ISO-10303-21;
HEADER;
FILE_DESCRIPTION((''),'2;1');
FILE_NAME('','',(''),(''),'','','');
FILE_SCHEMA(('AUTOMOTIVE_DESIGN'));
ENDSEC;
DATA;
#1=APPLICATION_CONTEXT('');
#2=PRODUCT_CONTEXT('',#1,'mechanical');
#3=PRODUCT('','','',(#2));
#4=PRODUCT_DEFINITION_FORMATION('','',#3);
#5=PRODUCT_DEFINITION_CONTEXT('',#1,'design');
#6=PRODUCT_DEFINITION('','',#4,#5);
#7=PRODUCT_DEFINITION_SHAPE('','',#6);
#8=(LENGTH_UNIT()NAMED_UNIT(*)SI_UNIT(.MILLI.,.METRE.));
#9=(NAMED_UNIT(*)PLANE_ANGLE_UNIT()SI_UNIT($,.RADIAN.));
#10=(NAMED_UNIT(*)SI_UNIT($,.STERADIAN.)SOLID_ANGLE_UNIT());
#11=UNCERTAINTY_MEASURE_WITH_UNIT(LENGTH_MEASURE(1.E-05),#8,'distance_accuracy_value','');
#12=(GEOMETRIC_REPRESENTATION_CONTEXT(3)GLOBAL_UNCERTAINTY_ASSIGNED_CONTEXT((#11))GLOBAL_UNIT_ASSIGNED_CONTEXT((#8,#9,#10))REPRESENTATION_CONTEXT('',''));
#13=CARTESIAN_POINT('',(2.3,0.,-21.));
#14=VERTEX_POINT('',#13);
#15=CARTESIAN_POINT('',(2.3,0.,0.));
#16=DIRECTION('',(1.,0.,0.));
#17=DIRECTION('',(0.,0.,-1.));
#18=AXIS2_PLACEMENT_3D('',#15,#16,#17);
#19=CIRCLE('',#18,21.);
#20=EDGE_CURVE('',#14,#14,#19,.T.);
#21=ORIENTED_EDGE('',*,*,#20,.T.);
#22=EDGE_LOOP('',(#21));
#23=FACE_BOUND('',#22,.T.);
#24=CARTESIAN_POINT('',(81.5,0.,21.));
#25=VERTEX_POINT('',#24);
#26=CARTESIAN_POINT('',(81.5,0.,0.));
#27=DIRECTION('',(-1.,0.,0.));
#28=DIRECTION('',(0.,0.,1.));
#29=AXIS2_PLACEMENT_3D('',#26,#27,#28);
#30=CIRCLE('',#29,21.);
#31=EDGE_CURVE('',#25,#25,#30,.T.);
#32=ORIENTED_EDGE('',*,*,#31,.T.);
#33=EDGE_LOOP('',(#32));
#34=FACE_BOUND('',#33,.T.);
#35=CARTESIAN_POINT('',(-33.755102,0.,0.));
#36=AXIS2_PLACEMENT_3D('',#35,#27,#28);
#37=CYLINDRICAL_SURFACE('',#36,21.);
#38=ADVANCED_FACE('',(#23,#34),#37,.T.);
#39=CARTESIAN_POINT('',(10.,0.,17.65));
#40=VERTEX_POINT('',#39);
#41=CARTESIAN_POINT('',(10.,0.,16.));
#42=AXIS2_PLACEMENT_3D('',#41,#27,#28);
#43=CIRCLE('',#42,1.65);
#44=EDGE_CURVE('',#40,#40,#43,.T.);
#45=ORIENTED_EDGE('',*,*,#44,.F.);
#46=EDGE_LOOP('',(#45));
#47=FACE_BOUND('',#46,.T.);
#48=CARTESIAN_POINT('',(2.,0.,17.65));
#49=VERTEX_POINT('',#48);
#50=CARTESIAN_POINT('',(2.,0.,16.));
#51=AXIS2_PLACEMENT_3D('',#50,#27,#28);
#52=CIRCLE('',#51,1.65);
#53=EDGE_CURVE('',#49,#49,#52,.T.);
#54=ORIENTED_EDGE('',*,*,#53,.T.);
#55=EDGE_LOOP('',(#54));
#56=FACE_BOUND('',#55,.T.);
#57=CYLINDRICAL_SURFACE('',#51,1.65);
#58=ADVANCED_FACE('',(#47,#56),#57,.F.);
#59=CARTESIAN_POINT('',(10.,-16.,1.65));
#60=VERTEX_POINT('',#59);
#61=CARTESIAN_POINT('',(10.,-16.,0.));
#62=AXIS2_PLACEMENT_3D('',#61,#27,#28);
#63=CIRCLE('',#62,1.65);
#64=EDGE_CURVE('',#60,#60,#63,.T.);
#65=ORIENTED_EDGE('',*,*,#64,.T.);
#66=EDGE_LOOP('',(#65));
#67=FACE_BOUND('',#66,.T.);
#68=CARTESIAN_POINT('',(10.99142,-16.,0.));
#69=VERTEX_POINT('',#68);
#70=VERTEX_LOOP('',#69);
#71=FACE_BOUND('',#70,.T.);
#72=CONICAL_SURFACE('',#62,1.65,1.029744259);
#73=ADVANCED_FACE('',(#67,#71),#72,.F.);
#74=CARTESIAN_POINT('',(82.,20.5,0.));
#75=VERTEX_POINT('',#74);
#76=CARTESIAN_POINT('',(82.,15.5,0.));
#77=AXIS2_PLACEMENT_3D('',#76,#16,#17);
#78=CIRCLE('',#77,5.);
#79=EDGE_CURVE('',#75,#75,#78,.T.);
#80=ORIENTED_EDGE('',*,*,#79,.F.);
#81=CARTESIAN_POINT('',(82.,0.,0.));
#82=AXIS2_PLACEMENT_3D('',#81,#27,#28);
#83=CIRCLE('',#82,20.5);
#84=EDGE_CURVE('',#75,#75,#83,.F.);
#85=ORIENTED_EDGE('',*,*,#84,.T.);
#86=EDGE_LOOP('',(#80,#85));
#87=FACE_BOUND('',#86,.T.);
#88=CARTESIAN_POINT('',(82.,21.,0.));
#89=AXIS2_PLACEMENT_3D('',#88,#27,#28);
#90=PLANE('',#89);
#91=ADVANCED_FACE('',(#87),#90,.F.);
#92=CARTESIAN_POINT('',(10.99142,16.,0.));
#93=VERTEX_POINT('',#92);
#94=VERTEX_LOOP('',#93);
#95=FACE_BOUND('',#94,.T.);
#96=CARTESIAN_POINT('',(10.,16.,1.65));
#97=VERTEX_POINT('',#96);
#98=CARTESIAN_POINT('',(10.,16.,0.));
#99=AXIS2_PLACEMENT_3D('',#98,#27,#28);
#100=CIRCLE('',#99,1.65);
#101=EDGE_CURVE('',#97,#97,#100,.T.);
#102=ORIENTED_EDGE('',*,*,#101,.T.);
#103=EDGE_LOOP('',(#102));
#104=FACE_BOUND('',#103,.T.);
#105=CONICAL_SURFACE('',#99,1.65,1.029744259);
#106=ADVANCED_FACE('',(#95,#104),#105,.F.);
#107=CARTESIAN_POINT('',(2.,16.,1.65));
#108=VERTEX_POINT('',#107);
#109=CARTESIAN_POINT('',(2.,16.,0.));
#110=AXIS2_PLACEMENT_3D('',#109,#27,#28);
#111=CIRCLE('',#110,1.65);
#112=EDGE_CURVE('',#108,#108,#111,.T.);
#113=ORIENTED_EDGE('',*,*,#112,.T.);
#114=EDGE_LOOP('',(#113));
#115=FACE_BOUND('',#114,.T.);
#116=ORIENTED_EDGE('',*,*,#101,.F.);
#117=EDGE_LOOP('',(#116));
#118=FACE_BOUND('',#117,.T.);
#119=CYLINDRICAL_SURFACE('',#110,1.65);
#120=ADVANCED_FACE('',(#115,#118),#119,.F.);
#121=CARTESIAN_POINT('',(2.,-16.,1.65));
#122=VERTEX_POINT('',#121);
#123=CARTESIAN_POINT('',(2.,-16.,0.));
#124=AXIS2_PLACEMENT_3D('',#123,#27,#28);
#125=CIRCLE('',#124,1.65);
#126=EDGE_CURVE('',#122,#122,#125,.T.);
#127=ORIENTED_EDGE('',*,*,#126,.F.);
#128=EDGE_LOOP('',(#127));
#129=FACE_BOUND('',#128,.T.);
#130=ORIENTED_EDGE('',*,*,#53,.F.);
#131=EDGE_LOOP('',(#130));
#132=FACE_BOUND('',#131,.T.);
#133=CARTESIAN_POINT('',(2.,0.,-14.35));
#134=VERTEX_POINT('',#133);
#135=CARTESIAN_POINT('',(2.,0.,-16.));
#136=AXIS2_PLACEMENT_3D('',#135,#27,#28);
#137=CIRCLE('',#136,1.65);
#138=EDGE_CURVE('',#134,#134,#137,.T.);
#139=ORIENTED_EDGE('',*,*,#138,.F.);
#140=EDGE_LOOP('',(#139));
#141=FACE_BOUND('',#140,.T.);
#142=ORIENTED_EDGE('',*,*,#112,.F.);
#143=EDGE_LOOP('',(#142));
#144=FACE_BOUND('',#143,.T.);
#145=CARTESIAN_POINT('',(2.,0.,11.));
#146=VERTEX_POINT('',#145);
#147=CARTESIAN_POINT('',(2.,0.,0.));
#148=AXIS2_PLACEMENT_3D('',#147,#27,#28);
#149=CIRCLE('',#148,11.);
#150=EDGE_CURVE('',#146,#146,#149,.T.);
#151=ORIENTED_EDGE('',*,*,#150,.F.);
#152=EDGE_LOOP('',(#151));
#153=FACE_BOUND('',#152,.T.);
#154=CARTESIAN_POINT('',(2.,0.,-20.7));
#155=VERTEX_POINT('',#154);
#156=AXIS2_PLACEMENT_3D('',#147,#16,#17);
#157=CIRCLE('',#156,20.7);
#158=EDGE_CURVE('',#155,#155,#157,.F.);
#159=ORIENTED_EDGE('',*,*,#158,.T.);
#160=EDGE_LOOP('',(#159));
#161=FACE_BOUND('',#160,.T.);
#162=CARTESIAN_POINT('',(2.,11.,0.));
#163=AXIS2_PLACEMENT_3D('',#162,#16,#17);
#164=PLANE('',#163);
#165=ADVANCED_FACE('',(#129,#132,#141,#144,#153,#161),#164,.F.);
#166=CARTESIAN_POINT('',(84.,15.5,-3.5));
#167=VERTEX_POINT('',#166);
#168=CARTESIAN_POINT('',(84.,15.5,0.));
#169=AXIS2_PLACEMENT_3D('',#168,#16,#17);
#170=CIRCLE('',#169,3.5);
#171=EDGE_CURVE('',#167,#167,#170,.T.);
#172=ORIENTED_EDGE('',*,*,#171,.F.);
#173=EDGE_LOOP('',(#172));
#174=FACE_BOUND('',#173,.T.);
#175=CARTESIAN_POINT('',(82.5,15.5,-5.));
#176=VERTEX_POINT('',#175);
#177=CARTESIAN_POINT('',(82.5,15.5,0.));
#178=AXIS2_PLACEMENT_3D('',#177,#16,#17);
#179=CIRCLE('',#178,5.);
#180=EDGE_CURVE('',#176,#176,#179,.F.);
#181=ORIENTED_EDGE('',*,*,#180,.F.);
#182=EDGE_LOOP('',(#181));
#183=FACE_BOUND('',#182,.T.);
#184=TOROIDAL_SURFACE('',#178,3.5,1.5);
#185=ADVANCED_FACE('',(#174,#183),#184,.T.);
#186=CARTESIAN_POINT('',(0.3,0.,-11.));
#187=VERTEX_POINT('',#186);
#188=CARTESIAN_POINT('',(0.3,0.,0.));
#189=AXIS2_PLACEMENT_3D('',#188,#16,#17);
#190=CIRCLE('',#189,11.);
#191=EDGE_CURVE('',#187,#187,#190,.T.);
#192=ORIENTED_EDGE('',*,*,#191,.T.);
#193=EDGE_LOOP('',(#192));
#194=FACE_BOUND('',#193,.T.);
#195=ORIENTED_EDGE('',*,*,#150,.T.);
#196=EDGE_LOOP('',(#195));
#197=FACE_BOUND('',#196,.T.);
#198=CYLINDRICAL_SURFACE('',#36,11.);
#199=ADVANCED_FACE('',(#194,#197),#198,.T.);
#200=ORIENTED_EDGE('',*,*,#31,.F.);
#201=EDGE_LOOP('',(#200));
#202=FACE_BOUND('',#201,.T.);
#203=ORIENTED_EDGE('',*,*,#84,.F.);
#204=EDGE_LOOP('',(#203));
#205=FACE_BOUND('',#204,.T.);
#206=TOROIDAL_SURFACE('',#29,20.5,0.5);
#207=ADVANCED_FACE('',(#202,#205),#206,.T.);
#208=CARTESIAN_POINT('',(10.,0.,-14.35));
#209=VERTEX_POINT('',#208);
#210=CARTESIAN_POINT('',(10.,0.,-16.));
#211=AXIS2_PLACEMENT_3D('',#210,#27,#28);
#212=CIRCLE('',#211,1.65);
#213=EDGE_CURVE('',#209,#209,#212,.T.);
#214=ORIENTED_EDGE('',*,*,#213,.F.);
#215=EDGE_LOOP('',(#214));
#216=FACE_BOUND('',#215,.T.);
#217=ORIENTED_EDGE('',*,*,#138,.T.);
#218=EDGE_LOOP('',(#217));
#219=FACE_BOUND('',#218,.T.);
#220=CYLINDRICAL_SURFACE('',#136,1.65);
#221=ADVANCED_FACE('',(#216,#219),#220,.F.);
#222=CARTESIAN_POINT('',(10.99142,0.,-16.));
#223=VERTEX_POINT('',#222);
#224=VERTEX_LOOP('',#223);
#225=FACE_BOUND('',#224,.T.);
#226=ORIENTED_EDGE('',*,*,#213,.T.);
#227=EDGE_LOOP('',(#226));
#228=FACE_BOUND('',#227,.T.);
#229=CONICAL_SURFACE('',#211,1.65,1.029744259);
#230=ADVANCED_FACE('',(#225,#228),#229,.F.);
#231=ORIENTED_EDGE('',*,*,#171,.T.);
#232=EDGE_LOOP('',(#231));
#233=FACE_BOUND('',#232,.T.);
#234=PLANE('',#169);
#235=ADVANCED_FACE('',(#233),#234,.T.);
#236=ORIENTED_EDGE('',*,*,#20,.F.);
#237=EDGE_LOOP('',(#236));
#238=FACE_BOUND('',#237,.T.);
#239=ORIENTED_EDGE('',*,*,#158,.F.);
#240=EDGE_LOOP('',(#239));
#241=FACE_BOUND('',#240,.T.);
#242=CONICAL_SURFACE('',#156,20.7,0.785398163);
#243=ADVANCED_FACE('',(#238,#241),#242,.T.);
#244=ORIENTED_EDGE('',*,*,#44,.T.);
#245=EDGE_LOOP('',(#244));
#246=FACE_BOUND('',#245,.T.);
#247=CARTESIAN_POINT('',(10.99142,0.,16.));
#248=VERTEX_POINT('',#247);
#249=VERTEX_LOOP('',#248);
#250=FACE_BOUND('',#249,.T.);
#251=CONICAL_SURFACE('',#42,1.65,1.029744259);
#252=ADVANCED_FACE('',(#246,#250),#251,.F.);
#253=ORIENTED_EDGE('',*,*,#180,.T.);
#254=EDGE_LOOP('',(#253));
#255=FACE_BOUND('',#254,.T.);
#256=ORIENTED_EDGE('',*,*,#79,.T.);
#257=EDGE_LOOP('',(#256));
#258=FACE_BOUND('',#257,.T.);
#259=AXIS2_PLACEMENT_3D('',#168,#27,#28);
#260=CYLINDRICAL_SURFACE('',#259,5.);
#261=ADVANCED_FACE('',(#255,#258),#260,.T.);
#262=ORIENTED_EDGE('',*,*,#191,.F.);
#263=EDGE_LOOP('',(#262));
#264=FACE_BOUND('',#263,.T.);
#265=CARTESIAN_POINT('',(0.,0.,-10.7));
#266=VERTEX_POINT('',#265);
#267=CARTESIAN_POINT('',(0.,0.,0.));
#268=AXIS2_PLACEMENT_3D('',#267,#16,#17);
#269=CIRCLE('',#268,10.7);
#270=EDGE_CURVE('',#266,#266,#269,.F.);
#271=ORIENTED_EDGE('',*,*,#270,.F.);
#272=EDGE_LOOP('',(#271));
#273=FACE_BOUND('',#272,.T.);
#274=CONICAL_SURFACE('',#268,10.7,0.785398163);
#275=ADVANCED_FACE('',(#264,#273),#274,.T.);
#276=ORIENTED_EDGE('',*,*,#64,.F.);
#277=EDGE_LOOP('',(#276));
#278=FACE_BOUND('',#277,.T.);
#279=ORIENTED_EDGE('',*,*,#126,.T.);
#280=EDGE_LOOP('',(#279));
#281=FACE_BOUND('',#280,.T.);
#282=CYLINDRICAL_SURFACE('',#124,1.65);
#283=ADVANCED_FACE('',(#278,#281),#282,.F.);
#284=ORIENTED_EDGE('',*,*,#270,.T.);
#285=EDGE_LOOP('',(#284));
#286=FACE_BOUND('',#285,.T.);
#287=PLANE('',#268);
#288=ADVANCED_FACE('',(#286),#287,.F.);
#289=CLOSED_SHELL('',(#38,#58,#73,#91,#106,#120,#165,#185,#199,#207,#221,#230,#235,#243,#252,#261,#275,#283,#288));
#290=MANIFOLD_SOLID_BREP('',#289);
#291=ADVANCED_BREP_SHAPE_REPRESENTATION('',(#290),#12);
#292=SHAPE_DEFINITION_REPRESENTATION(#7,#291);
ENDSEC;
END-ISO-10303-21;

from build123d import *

# Parameters (mm, degrees)
CHANFREIN1_SIZE              = 0.3
CONG_1_R                     = 0.5
ESQUISSE2_R                  = 5
BOSS_EXTRU_1_DEPTH           = 2
CONG_2_R                     = 1.5
R_P_TITION_CIRCULAIRE1_COUNT = 4


with BuildPart() as part:
    # Esquisse1 → Révolution1 (revolve)
    with BuildSketch(Plane.XY):
        Polygon((0, 0), (0, 11), (2, 11), (2, 21), (82, 21), (82, 0), align=None)
    revolve(axis=Axis((-33.755102041, 0, 0), (1, 0, 0)))

    # Chanfrein1
    chanfrein1_edges = [part.edges().sort_by_distance(p)[0] for p in [
        (0, -11, 0),
        (2, -21, 0),
    ]]
    chamfer(chanfrein1_edges, length=CHANFREIN1_SIZE)

    # Congé1
    cong_1_edges = [part.edges().sort_by_distance(p)[0] for p in [
        (82, -21, 0),
    ]]
    fillet(cong_1_edges, radius=CONG_1_R)

    # Esquisse2 → Boss.-Extru.1 (add)
    with BuildSketch(Plane(origin=(82, 0, 0), x_dir=(0, 0, -1), z_dir=(1, 0, 0))):
        with Locations((0, 15.5)):
            Circle(ESQUISSE2_R)
    extrude(amount=BOSS_EXTRU_1_DEPTH)

    # Congé2
    cong_2_edges = [part.edges().sort_by_distance(p)[0] for p in [
        (84, 15.5, 5),
    ]]
    fillet(cong_2_edges, radius=CONG_2_R)

    # Esquisse4 → Trou pour taraudage pour trou taraudé M41 (revolve, cut)
    with BuildSketch(Plane(origin=(2, 16, 0), x_dir=(0, 0, 1), z_dir=(0, 1, 0))):
        Polygon((0, 0), (0, 8.991420021), (1.65, 8), (1.65, 0), align=None)
    trou_pour_taraudage_pour_trou_taraud_m4 = revolve(axis=Axis((-4.35, 16, 0), (1, 0, 0)), mode=Mode.SUBTRACT)

    # Répétition circulaire1: Trou pour taraudage pour trou taraudé M41 ×4 about axis
    r_p_tition_circulaire1_axis = Axis((2, 0, 0), (-1, 0, 0))
    for i in range(1, R_P_TITION_CIRCULAIRE1_COUNT):
        add(trou_pour_taraudage_pour_trou_taraud_m4.rotate(r_p_tition_circulaire1_axis, i * 360 / R_P_TITION_CIRCULAIRE1_COUNT), mode=Mode.SUBTRACT)


solid = part.part
